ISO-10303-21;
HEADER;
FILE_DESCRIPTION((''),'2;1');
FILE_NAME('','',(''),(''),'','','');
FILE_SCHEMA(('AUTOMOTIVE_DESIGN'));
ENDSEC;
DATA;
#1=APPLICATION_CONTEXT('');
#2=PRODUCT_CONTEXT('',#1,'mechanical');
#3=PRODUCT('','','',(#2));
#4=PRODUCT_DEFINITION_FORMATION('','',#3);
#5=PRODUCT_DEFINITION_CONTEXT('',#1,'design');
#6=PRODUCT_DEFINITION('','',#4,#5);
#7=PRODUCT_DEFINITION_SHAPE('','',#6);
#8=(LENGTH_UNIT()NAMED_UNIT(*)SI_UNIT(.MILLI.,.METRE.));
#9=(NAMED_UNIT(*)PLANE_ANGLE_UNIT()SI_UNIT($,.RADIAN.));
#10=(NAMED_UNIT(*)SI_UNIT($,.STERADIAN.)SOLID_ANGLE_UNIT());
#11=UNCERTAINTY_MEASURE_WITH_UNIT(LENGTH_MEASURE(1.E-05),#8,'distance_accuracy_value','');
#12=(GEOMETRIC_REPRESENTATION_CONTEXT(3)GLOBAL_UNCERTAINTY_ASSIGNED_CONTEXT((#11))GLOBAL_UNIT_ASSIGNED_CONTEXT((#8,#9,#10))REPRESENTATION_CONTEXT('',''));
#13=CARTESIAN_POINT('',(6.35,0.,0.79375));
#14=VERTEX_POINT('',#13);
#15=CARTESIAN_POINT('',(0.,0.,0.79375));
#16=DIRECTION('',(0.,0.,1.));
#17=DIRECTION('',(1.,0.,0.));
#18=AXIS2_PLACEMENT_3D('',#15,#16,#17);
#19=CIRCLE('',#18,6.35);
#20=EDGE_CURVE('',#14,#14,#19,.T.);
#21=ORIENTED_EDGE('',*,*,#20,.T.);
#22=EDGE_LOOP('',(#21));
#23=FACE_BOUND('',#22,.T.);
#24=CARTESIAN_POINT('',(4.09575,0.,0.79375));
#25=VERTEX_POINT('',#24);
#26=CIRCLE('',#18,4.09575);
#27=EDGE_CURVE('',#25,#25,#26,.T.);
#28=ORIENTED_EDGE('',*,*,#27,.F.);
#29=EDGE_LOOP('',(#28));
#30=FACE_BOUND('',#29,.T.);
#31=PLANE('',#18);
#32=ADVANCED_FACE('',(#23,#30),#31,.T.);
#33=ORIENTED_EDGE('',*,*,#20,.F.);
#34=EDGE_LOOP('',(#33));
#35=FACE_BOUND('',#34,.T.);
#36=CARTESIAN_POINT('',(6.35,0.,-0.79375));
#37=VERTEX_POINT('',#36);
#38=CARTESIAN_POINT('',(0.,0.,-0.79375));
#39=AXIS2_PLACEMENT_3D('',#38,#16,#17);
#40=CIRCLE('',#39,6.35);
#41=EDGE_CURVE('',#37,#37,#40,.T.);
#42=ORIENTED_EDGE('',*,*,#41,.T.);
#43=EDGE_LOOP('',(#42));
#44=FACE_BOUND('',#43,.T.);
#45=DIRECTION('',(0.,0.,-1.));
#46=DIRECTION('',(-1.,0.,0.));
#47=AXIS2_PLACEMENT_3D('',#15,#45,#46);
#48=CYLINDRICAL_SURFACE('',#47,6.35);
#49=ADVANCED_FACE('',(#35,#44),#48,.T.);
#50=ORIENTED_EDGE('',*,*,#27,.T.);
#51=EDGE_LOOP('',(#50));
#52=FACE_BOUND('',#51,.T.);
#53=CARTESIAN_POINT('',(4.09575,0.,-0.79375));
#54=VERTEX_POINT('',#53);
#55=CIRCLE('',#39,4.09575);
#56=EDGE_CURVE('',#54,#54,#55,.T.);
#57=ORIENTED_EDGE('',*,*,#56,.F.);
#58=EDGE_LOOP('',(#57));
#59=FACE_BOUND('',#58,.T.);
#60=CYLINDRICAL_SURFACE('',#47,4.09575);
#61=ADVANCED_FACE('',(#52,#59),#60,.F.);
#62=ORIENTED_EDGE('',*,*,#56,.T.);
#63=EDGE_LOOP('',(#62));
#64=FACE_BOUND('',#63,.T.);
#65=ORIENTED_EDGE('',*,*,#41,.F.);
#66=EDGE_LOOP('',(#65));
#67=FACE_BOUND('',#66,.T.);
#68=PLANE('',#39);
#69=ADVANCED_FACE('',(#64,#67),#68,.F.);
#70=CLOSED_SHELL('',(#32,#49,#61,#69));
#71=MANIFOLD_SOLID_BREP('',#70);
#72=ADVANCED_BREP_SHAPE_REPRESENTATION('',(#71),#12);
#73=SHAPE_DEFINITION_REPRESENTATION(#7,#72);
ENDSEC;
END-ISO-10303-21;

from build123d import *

# Parameters (mm, degrees)
SKETCH1_R      = 6.35
SKETCH1_R_2    = 4.09575
EXTRUDE1_DEPTH = 0.79375


with BuildPart() as part:
    # Sketch1 → Extrude1 (new body, symmetric)
    with BuildSketch(Plane.XY):
        Circle(SKETCH1_R)
        Circle(SKETCH1_R_2, mode=Mode.SUBTRACT)
    extrude(amount=EXTRUDE1_DEPTH, both=True)


solid = part.part
